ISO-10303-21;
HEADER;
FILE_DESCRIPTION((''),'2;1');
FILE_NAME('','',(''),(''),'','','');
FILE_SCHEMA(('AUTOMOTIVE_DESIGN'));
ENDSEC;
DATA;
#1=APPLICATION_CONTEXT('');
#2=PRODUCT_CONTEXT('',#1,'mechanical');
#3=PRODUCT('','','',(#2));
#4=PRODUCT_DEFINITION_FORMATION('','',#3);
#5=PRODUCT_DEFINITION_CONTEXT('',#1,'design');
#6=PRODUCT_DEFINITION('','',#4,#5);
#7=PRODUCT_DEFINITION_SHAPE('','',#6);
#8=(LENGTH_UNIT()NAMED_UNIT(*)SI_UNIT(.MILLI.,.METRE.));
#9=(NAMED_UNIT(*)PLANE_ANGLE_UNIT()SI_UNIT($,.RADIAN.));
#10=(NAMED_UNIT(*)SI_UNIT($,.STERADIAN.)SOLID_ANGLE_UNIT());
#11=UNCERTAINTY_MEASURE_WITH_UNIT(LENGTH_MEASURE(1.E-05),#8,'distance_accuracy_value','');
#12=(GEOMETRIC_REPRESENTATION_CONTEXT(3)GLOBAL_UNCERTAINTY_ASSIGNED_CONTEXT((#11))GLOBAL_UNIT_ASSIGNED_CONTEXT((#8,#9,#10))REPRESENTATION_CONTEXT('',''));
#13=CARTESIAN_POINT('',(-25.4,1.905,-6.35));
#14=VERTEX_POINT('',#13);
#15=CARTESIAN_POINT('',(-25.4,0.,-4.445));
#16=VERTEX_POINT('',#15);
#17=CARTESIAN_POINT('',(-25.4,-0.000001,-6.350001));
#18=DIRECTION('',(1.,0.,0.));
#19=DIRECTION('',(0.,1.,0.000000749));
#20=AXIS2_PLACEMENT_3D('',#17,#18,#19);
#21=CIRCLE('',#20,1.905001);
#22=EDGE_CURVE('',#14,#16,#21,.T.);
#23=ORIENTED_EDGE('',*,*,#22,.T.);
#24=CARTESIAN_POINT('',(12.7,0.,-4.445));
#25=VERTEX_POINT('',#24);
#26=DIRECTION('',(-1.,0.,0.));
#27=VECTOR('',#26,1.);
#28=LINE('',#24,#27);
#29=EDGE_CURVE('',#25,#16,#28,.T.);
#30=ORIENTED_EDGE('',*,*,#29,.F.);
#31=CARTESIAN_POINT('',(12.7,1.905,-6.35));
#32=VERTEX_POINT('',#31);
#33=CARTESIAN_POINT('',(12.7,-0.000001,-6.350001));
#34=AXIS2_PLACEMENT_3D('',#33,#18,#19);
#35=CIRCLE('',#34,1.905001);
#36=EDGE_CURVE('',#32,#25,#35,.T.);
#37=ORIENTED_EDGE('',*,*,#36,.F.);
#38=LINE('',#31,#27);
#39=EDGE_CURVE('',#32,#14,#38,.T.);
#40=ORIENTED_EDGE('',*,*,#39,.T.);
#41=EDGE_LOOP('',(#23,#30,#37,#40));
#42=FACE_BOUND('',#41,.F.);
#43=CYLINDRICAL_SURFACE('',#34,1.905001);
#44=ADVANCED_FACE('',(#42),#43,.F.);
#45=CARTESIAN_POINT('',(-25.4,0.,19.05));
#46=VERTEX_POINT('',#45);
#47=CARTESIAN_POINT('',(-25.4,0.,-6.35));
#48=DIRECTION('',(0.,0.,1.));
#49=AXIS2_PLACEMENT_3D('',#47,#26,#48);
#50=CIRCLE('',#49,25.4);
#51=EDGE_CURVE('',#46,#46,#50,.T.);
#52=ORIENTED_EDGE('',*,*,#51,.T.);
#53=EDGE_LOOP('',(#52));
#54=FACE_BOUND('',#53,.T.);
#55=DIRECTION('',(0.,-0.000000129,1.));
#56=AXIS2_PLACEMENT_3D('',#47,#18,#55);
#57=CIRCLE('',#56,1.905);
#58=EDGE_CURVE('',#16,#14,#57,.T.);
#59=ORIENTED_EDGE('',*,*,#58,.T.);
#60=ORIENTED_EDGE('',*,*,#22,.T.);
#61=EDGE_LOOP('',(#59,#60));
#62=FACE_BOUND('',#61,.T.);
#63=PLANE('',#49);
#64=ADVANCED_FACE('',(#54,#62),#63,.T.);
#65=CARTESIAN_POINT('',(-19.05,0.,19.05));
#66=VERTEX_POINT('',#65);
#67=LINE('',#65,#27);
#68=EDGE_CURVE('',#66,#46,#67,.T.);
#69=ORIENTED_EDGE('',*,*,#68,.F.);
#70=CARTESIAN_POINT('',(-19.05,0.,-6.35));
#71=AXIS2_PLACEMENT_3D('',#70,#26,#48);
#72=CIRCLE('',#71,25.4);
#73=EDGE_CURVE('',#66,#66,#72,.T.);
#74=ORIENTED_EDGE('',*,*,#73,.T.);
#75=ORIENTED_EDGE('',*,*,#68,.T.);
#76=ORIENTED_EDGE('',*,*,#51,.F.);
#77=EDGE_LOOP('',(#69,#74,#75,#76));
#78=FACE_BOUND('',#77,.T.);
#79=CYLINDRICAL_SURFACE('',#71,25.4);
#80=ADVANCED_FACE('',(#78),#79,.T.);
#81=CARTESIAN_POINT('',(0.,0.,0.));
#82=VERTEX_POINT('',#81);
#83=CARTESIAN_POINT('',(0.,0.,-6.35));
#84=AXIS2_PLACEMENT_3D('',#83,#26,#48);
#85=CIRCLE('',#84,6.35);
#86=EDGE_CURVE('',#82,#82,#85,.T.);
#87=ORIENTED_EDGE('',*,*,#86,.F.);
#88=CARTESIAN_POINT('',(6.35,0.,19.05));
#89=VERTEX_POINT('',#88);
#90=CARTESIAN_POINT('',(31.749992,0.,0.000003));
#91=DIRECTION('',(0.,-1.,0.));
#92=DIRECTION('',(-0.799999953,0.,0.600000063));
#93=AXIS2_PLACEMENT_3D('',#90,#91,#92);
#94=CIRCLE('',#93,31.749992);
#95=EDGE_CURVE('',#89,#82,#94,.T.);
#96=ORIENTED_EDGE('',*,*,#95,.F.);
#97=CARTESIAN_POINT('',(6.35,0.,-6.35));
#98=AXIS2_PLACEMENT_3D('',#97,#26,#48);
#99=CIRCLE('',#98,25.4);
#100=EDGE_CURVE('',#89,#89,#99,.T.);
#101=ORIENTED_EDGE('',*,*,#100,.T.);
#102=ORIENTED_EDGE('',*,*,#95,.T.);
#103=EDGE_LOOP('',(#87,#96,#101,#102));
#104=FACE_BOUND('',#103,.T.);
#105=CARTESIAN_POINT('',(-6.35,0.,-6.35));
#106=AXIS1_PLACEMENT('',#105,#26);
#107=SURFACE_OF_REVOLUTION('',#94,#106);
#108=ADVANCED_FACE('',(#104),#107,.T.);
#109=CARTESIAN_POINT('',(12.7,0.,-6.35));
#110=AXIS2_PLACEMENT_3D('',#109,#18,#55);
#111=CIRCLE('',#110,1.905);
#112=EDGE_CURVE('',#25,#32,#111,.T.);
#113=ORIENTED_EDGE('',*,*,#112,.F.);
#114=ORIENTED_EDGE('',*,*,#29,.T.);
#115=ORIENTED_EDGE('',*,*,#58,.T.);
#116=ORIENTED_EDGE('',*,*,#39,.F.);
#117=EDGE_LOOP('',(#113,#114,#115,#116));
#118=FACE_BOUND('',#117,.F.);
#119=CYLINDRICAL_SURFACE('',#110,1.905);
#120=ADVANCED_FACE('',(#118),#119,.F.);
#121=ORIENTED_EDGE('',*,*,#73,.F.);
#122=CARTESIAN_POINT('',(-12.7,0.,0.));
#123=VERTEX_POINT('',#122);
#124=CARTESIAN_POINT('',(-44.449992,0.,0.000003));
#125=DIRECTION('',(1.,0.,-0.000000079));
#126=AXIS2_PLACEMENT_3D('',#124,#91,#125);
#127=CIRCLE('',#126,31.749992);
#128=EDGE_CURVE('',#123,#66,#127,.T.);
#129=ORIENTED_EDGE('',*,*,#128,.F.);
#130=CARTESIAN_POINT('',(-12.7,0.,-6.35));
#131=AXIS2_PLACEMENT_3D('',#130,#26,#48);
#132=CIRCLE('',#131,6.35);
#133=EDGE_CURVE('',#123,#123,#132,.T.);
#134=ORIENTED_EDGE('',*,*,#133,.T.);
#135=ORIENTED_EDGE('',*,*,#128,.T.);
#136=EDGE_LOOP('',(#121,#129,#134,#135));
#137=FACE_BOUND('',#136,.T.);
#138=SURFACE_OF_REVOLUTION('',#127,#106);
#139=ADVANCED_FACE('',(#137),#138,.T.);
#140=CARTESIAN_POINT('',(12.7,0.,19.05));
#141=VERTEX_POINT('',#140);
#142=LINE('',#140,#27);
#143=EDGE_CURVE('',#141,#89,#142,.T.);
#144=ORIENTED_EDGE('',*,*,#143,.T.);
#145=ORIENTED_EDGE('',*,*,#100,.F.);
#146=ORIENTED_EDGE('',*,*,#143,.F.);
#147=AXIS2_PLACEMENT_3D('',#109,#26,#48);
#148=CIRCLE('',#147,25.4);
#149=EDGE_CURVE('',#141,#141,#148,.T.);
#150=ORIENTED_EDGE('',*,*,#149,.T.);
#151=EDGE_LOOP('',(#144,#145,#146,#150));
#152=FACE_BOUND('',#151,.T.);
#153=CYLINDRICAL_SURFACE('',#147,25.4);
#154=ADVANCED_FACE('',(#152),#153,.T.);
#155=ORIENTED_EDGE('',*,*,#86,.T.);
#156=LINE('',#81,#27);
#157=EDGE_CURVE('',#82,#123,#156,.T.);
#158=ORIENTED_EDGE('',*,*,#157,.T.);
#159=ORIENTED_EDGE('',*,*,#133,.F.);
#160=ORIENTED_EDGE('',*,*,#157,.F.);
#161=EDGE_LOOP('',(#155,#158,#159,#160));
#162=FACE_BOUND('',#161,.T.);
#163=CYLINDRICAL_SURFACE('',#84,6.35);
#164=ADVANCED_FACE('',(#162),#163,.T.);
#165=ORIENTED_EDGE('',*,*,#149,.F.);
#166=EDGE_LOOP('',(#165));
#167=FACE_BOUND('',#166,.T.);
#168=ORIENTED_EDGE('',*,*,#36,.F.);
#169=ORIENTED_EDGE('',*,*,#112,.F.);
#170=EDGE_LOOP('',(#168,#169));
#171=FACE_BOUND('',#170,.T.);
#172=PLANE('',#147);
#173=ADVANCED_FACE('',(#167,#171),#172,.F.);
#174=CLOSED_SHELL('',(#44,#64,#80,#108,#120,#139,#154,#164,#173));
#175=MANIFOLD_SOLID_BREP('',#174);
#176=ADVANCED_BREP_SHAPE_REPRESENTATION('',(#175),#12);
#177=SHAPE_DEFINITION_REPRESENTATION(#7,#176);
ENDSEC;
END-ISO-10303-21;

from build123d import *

# Parameters (mm, degrees)
F3_DEPTH = 101.6


with BuildPart() as f1:
    # F0 (on Front) → F1 (revolve)
    with BuildSketch(Plane.XZ):
        with BuildLine():
            ThreePointArc((6.35, 19.05), (1.629305, 10.040232), (0, 0))
            Line((0, 0), (-12.7, 0))
            ThreePointArc((-12.7, 0), (-14.329305, 10.040232), (-19.05, 19.05))
            Line((-19.05, 19.05), (-25.4, 19.05))
            Line((-25.4, 19.05), (-25.4, -6.35))
            Line((-25.4, -6.35), (0, -6.35))
            Line((0, -6.35), (6.35, -6.35))
            Line((6.35, -6.35), (12.7, -6.35))
            Line((12.7, -6.35), (12.7, 19.05))
            Line((12.7, 19.05), (6.35, 19.05))
        make_face()
    revolve(axis=Axis((-6.35, 0, -6.35), (-1, 0, 0)))

    # F2 (on face) → F3 (cut)
    with BuildSketch(Plane.YZ.offset(12.7)):
        with BuildLine():
            Line((0, -6.35), (0, -4.445))
            ThreePointArc((0, -4.445), (-1.347038, -7.697038), (1.905, -6.35))
            Line((1.905, -6.35), (0, -6.35))
        make_face()
        with BuildLine():
            ThreePointArc((1.905, -6.35), (1.347038, -5.002962), (0, -4.445))
            Line((0, -4.445), (0, -6.35))
            Line((0, -6.35), (1.905, -6.35))
        make_face()
    extrude(amount=-F3_DEPTH, mode=Mode.SUBTRACT)


solid = f1.part
